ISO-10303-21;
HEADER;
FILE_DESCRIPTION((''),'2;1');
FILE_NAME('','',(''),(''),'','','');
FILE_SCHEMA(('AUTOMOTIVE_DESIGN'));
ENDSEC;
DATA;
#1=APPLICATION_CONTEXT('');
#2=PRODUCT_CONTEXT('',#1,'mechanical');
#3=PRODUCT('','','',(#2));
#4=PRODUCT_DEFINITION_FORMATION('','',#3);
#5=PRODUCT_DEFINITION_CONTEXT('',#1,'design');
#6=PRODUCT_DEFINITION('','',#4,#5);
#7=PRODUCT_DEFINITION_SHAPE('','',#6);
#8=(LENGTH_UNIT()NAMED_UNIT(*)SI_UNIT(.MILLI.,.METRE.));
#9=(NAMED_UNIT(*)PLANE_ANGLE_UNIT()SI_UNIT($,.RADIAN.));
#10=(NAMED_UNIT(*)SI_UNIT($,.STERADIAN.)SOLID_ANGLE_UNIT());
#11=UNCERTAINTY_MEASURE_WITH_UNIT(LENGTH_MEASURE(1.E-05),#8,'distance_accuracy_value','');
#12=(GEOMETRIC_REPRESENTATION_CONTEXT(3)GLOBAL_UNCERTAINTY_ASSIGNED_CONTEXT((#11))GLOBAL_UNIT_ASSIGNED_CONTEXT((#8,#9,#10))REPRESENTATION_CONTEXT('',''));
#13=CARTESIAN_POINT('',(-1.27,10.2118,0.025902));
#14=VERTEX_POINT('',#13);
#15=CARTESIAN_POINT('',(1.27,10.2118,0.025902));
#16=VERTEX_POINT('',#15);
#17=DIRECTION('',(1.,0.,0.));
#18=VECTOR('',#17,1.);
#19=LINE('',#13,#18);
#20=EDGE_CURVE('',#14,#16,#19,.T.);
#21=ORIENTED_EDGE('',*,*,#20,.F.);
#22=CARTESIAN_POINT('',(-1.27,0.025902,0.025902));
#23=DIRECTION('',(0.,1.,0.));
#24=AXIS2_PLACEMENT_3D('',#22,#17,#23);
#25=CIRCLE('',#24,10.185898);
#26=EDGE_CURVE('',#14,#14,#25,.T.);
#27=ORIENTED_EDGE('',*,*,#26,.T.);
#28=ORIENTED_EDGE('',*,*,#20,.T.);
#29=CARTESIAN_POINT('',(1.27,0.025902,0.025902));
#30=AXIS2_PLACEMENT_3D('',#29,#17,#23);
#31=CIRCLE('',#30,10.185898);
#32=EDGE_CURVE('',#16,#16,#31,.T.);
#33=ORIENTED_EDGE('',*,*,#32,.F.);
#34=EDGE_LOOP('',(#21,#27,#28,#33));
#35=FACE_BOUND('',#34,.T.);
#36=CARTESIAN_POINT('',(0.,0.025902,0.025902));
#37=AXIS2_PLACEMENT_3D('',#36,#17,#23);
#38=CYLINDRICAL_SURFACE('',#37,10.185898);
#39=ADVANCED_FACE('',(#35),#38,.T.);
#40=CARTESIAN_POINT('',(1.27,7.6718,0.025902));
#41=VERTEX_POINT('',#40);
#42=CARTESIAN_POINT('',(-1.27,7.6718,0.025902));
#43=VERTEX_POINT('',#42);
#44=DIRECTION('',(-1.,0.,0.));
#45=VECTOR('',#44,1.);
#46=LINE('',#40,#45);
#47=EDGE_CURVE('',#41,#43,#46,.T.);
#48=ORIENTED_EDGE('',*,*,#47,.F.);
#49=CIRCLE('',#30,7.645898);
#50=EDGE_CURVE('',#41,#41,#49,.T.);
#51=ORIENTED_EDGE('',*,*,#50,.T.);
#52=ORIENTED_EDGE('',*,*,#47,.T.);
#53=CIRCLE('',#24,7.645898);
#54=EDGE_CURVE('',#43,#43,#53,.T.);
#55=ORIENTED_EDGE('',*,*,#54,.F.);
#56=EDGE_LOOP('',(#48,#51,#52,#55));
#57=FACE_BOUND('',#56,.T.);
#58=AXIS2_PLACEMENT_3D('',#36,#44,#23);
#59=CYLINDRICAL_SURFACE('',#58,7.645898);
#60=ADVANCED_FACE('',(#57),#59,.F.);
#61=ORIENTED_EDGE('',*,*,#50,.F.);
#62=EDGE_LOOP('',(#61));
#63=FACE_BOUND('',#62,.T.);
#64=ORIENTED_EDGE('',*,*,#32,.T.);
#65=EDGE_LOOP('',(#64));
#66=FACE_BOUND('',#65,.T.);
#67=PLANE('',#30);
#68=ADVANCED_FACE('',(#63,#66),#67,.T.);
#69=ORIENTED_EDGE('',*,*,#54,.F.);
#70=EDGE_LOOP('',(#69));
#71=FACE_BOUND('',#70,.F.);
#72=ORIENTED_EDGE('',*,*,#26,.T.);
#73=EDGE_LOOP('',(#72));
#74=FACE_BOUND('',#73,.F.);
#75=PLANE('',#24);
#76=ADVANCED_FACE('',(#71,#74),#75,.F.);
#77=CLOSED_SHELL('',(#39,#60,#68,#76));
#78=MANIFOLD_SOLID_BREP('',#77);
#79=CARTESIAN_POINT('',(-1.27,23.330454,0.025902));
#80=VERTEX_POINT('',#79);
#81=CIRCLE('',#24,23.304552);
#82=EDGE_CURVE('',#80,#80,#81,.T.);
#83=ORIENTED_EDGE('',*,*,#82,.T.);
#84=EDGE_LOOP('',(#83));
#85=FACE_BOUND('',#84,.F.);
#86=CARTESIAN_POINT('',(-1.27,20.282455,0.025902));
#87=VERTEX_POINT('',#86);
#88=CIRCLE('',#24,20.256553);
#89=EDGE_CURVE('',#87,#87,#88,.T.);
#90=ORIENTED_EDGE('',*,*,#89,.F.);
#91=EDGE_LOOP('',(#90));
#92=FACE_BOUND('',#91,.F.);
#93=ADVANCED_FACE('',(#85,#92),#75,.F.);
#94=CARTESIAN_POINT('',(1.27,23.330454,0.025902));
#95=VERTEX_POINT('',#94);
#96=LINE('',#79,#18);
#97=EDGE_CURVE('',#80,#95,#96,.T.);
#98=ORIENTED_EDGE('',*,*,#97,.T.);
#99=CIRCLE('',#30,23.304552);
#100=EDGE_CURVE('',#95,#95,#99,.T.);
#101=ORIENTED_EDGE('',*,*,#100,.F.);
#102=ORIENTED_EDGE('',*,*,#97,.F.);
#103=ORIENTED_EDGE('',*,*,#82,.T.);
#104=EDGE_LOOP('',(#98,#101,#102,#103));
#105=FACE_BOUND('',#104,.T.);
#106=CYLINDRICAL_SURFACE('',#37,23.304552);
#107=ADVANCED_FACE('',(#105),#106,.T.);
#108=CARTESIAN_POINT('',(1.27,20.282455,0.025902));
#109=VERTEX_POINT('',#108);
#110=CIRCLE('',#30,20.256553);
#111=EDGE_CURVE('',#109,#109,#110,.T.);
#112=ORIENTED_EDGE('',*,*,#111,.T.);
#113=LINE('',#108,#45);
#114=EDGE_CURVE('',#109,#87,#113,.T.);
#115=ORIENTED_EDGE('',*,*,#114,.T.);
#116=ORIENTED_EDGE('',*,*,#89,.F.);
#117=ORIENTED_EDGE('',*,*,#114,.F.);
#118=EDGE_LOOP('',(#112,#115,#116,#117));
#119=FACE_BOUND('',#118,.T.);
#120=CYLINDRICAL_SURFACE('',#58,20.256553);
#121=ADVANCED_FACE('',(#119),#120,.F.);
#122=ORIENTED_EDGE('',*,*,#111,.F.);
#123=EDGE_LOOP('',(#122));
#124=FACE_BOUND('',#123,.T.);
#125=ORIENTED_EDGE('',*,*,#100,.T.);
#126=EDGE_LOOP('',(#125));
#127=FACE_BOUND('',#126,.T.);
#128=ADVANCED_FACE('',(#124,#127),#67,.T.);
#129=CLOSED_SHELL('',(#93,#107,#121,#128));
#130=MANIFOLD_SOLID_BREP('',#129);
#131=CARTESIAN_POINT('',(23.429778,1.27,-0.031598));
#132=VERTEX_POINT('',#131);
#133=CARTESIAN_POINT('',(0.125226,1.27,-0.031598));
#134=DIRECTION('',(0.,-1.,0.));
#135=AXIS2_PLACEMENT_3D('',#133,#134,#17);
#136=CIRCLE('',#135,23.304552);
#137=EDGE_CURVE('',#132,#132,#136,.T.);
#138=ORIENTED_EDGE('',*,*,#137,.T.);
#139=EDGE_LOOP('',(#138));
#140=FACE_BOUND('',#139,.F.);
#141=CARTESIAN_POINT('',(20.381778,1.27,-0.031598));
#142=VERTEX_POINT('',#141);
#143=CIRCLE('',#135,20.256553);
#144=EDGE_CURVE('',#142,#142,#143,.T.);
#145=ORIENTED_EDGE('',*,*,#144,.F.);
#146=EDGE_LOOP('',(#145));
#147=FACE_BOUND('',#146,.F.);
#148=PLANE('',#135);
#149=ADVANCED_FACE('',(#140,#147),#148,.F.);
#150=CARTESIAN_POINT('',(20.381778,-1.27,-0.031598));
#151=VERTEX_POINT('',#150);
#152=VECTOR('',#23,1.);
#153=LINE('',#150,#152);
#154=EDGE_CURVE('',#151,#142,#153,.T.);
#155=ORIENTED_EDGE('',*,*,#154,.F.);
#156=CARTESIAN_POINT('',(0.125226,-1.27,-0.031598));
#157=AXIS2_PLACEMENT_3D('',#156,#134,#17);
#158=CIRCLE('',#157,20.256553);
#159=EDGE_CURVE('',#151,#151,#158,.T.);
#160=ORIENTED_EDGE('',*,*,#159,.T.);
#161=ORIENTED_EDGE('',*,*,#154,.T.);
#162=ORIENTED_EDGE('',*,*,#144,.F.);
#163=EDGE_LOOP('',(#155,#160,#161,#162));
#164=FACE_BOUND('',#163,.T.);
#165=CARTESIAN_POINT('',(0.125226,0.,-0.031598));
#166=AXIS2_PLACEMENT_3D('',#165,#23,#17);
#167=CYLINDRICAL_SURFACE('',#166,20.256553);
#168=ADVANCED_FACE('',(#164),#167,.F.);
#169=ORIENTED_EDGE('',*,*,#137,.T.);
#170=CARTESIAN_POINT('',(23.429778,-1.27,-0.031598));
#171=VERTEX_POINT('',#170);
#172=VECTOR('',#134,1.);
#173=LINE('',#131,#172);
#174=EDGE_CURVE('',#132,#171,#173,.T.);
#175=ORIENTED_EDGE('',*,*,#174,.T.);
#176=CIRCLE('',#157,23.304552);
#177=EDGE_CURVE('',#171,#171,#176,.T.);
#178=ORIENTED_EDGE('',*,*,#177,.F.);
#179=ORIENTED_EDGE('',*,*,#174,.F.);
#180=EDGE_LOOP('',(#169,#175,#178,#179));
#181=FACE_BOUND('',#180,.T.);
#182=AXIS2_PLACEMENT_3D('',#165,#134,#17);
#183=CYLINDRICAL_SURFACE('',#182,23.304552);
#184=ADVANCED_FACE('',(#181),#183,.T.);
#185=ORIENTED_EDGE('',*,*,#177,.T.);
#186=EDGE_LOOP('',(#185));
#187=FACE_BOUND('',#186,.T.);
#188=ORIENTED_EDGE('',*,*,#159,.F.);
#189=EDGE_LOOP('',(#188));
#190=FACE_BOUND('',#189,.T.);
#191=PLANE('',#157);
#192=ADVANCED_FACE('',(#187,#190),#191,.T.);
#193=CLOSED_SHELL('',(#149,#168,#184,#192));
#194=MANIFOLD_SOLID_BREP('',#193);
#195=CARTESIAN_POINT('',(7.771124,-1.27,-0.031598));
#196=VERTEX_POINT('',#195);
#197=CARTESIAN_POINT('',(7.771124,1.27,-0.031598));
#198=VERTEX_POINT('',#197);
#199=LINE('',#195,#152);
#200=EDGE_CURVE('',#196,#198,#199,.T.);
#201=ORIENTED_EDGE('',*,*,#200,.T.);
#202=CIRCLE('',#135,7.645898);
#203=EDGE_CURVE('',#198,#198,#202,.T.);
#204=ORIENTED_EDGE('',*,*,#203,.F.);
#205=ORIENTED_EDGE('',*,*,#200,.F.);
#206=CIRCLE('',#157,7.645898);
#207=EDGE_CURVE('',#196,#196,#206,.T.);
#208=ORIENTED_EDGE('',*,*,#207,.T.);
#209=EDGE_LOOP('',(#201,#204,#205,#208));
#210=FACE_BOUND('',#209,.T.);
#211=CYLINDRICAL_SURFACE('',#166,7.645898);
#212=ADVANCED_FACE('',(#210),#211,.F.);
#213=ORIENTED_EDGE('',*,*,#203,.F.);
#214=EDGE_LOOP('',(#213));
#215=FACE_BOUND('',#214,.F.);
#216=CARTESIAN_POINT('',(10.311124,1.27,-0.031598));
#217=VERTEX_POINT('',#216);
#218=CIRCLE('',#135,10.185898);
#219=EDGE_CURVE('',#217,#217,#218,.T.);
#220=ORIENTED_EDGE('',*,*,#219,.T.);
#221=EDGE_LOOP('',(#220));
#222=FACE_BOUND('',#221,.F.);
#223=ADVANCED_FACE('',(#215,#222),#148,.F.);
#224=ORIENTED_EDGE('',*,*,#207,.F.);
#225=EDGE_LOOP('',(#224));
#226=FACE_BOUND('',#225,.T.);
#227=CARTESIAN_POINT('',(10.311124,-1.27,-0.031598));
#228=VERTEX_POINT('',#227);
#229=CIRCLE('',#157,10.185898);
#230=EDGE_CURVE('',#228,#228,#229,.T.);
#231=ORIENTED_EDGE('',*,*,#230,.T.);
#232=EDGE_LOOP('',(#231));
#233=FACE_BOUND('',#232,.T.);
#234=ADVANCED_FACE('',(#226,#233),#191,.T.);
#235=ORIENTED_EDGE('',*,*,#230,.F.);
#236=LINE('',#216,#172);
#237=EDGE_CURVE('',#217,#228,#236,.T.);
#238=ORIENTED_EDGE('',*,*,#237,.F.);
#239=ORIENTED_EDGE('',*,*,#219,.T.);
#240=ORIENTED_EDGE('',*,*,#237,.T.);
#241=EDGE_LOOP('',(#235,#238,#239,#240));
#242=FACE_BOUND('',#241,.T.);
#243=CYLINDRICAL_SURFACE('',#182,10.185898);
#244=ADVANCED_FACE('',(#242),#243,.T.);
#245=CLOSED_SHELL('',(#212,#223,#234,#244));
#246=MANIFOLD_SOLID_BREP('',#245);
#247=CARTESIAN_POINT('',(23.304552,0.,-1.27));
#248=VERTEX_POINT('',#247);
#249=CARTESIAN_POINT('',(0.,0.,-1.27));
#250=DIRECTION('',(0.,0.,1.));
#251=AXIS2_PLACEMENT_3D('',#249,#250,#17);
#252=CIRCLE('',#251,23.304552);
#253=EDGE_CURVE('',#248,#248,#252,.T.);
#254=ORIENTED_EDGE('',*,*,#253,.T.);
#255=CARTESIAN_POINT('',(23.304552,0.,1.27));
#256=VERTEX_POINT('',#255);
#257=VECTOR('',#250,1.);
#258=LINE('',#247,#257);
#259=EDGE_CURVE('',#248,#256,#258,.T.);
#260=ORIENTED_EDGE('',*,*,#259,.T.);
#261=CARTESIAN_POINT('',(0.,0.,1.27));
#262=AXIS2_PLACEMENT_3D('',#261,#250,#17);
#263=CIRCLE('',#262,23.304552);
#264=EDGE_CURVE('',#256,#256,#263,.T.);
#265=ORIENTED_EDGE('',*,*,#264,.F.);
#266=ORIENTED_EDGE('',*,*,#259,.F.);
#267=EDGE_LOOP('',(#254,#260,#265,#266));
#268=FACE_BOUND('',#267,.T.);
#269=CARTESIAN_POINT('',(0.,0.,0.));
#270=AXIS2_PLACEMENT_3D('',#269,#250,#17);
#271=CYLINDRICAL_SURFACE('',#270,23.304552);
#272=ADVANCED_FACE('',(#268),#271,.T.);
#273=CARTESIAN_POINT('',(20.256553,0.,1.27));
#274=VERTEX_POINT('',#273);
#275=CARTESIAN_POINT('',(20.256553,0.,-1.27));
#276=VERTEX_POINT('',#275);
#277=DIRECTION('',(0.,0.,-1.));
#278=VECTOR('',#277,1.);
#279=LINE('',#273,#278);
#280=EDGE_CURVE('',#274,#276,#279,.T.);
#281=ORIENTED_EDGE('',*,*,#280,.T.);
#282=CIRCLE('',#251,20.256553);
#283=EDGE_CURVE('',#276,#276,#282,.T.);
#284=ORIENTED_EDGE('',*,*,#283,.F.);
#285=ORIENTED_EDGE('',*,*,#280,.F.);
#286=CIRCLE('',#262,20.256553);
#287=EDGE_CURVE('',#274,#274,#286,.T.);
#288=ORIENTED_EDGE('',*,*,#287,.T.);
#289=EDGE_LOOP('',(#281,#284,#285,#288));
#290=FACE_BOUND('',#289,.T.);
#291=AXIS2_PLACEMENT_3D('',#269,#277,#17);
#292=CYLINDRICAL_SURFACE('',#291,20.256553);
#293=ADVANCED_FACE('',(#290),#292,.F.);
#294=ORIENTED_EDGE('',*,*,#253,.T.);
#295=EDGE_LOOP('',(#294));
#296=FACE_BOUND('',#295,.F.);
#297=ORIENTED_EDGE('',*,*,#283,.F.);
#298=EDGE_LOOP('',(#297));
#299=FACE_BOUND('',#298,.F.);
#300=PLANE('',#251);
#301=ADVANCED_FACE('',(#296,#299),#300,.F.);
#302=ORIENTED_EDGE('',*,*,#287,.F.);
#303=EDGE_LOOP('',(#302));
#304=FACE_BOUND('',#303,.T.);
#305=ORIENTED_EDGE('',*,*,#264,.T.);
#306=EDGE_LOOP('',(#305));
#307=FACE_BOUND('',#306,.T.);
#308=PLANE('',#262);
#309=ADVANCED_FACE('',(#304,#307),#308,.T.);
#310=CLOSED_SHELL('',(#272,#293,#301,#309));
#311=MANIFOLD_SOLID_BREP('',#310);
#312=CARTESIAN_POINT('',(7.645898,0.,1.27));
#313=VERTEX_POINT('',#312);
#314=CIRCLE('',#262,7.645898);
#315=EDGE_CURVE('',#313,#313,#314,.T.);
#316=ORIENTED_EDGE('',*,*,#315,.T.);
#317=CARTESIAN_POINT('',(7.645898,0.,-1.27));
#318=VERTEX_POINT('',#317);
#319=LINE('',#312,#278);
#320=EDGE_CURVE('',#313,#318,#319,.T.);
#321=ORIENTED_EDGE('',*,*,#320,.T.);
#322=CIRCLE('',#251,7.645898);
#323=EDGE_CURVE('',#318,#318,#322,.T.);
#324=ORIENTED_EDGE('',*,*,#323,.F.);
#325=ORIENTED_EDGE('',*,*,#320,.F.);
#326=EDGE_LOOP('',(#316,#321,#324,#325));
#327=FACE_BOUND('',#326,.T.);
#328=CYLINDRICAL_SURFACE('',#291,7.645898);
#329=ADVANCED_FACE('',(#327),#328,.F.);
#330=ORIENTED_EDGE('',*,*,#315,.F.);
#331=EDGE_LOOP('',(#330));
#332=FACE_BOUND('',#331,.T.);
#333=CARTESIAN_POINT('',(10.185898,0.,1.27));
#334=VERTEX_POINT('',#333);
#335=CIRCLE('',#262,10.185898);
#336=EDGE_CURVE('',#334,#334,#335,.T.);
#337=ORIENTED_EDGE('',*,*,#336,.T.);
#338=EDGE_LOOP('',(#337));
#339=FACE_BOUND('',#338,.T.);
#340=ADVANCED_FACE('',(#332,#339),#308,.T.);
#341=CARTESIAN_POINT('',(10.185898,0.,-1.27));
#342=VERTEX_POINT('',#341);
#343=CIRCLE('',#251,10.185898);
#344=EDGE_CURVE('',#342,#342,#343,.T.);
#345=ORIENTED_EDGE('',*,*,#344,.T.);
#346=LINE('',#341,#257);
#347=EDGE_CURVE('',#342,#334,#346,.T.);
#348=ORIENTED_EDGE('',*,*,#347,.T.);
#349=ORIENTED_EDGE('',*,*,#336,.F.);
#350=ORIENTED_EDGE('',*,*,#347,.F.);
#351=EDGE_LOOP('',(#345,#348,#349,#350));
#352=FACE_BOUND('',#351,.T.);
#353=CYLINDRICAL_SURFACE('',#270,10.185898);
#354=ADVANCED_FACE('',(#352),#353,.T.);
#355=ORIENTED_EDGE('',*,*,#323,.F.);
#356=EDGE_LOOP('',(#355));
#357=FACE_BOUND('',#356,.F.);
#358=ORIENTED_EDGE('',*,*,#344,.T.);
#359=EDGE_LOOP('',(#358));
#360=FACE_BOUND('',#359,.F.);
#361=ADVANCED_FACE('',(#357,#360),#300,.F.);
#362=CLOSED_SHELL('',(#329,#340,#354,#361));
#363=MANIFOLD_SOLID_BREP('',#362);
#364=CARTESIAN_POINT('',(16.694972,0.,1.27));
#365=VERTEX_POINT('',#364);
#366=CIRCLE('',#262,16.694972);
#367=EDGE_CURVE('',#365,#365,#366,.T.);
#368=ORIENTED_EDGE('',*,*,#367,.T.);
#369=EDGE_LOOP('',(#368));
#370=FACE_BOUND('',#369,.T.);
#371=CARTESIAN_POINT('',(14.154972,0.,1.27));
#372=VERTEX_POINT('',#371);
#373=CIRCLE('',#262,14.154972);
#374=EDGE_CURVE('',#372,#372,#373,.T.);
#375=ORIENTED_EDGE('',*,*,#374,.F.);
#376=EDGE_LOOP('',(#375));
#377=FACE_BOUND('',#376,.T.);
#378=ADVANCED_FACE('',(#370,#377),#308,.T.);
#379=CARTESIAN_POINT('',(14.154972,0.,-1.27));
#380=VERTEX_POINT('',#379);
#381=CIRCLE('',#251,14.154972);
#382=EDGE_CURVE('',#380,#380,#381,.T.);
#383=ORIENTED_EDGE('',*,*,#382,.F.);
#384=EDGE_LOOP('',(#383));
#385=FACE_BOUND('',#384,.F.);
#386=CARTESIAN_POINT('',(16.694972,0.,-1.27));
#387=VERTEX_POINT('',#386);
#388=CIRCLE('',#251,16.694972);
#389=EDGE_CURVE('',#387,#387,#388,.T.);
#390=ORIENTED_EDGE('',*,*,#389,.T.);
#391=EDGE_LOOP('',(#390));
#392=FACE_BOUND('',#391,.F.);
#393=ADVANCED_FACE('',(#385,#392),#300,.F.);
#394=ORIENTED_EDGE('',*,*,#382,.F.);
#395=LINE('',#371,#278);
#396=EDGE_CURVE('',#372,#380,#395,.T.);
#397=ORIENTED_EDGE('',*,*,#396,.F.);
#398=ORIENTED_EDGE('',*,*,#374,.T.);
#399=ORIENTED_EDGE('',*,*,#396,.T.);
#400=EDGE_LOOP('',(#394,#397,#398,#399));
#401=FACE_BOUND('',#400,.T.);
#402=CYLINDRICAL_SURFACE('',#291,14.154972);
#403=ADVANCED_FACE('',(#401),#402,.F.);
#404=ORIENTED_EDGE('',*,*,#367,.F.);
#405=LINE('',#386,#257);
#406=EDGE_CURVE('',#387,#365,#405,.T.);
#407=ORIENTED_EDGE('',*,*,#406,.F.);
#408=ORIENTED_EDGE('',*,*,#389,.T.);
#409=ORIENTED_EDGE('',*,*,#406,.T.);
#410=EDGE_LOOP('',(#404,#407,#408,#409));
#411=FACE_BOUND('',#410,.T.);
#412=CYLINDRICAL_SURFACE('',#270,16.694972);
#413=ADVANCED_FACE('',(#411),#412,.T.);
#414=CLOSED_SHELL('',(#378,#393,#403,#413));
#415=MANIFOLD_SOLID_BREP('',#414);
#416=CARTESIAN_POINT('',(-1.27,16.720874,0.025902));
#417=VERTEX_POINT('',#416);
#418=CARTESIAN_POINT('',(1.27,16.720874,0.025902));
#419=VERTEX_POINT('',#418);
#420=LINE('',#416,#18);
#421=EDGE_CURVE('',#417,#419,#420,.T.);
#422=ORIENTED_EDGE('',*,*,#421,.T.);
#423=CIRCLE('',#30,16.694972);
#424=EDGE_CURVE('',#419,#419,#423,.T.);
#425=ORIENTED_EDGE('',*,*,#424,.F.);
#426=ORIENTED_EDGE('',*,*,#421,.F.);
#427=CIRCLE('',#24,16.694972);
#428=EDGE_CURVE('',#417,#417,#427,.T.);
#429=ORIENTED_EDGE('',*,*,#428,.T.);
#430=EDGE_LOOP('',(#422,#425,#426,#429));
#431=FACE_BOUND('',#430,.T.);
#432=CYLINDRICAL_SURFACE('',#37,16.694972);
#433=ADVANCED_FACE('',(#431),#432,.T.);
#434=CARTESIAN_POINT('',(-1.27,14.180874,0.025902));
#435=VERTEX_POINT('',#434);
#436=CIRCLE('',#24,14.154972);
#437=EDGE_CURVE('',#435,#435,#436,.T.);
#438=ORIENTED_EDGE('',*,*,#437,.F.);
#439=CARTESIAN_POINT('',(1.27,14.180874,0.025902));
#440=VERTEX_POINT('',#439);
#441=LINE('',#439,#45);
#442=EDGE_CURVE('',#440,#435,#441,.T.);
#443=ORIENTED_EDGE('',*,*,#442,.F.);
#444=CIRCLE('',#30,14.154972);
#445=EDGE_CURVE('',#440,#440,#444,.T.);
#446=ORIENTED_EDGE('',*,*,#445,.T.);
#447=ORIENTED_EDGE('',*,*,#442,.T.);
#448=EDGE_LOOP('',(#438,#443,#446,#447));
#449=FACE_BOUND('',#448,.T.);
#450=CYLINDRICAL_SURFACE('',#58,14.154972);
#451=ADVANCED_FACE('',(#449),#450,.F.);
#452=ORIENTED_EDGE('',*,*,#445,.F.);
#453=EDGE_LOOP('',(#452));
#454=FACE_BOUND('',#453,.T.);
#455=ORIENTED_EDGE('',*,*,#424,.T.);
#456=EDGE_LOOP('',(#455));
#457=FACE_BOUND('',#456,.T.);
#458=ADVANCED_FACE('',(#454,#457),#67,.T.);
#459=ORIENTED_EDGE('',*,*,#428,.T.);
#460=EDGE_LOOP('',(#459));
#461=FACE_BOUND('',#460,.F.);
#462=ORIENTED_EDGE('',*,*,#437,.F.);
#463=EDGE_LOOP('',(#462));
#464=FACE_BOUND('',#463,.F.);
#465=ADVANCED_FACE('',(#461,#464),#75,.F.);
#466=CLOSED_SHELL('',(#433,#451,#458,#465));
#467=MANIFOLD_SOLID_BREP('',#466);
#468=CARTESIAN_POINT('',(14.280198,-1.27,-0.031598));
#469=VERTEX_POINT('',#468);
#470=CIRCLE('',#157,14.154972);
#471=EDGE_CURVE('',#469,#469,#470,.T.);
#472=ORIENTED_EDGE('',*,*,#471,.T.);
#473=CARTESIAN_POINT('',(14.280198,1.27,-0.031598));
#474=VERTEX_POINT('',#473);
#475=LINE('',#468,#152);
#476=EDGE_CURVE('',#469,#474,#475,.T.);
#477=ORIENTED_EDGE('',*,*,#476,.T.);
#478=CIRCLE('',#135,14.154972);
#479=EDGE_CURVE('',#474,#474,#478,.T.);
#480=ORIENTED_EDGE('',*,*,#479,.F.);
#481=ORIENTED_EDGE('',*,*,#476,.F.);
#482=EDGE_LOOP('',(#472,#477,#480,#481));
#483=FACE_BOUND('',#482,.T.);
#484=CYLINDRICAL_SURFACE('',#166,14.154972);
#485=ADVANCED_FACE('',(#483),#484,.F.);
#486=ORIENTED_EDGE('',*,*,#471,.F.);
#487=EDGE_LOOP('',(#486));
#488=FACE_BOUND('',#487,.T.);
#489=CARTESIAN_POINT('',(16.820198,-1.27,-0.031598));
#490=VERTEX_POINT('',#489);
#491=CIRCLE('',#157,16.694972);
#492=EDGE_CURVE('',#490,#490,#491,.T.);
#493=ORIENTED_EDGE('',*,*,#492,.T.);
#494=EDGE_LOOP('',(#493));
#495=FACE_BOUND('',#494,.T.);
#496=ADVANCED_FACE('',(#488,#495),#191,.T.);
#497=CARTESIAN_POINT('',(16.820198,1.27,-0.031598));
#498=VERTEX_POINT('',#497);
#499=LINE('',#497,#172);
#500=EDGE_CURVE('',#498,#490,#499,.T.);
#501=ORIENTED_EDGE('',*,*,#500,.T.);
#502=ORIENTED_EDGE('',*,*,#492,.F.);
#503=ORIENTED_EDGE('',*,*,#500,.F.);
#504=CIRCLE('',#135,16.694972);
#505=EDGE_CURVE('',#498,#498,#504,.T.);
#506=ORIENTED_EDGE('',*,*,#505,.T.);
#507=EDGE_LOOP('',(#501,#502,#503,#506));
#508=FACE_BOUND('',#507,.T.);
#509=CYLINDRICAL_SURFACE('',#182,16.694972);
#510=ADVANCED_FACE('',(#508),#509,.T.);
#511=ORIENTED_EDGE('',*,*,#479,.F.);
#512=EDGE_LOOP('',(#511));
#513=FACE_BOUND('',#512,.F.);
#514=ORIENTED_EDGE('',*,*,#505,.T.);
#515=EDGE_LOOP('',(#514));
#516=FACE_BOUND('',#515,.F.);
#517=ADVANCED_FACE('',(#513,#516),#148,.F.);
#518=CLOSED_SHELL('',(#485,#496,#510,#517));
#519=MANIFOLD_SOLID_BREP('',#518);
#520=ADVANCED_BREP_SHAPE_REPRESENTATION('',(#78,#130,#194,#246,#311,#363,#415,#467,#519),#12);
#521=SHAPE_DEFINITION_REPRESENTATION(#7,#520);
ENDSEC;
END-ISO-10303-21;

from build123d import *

# Parameters (mm, degrees)
F0_R     = 16.6949720999
F0_R_2   = 14.1549719201
F3_DEPTH = 1.27
F0_R_3   = 23.3045521035
F0_R_4   = 20.2565528229
F0_R_5   = 10.1858982799
F0_R_6   = 7.6458982799
F1_R     = 23.3045521035
F1_R_2   = 20.2565528229
F4_DEPTH = 1.27
F1_R_3   = 16.6949720999
F1_R_4   = 14.1549719201
F1_R_5   = 10.1858982799
F1_R_6   = 7.6458982799
F2_R     = 23.3045521035
F2_R_2   = 20.2565528229
F5_DEPTH = 1.27
F2_R_3   = 16.6949720999
F2_R_4   = 14.1549719201
F2_R_5   = 10.1858982799
F2_R_6   = 7.6458982799


with BuildPart() as f3:
    # F0 (on Top) → F3 (new body, symmetric)
    with BuildSketch(Plane.XY):
        Circle(F0_R)
        Circle(F0_R_2, mode=Mode.SUBTRACT)
    extrude(amount=F3_DEPTH, both=True)


with BuildPart() as f3b:
    # F0 (on Top) → F3, piece 2 (new body, symmetric)
    with BuildSketch(Plane.XY):
        Circle(F0_R_3)
        Circle(F0_R_4, mode=Mode.SUBTRACT)
    extrude(amount=F3_DEPTH, both=True)


with BuildPart() as f3c:
    # F0 (on Top) → F3, piece 3 (new body, symmetric)
    with BuildSketch(Plane.XY):
        Circle(F0_R_5)
        Circle(F0_R_6, mode=Mode.SUBTRACT)
    extrude(amount=F3_DEPTH, both=True)


with BuildPart() as f4:
    # F1 (on Front) → F4 (new body, symmetric)
    with BuildSketch(Plane.XZ):
        with Locations((0.1252256334, -0.0315979123)):
            Circle(F1_R)
        with Locations((0.1252256334, -0.0315979123)):
            Circle(F1_R_2, mode=Mode.SUBTRACT)
    extrude(amount=F4_DEPTH, both=True)


with BuildPart() as f4b:
    # F1 (on Front) → F4, piece 2 (new body, symmetric)
    with BuildSketch(Plane.XZ):
        with Locations((0.1252256334, -0.0315979123)):
            Circle(F1_R_3)
        with Locations((0.1252256334, -0.0315979123)):
            Circle(F1_R_4, mode=Mode.SUBTRACT)
    extrude(amount=F4_DEPTH, both=True)


with BuildPart() as f4c:
    # F1 (on Front) → F4, piece 3 (new body, symmetric)
    with BuildSketch(Plane.XZ):
        with Locations((0.1252256334, -0.0315979123)):
            Circle(F1_R_5)
        with Locations((0.1252256334, -0.0315979123)):
            Circle(F1_R_6, mode=Mode.SUBTRACT)
    extrude(amount=F4_DEPTH, both=True)


with BuildPart() as f5:
    # F2 (on Right) → F5 (new body, symmetric)
    with BuildSketch(Plane.YZ):
        with Locations((0.0259019434, 0.0259019434)):
            Circle(F2_R)
        with Locations((0.0259019434, 0.0259019434)):
            Circle(F2_R_2, mode=Mode.SUBTRACT)
    extrude(amount=F5_DEPTH, both=True)


with BuildPart() as f5b:
    # F2 (on Right) → F5, piece 2 (new body, symmetric)
    with BuildSketch(Plane.YZ):
        with Locations((0.0259019434, 0.0259019434)):
            Circle(F2_R_3)
        with Locations((0.0259019434, 0.0259019434)):
            Circle(F2_R_4, mode=Mode.SUBTRACT)
    extrude(amount=F5_DEPTH, both=True)


with BuildPart() as f5c:
    # F2 (on Right) → F5, piece 3 (new body, symmetric)
    with BuildSketch(Plane.YZ):
        with Locations((0.0259019434, 0.0259019434)):
            Circle(F2_R_5)
        with Locations((0.0259019434, 0.0259019434)):
            Circle(F2_R_6, mode=Mode.SUBTRACT)
    extrude(amount=F5_DEPTH, both=True)


solid = Compound([f3.part, f3b.part, f3c.part, f4.part, f4b.part, f4c.part, f5.part, f5b.part, f5c.part])
